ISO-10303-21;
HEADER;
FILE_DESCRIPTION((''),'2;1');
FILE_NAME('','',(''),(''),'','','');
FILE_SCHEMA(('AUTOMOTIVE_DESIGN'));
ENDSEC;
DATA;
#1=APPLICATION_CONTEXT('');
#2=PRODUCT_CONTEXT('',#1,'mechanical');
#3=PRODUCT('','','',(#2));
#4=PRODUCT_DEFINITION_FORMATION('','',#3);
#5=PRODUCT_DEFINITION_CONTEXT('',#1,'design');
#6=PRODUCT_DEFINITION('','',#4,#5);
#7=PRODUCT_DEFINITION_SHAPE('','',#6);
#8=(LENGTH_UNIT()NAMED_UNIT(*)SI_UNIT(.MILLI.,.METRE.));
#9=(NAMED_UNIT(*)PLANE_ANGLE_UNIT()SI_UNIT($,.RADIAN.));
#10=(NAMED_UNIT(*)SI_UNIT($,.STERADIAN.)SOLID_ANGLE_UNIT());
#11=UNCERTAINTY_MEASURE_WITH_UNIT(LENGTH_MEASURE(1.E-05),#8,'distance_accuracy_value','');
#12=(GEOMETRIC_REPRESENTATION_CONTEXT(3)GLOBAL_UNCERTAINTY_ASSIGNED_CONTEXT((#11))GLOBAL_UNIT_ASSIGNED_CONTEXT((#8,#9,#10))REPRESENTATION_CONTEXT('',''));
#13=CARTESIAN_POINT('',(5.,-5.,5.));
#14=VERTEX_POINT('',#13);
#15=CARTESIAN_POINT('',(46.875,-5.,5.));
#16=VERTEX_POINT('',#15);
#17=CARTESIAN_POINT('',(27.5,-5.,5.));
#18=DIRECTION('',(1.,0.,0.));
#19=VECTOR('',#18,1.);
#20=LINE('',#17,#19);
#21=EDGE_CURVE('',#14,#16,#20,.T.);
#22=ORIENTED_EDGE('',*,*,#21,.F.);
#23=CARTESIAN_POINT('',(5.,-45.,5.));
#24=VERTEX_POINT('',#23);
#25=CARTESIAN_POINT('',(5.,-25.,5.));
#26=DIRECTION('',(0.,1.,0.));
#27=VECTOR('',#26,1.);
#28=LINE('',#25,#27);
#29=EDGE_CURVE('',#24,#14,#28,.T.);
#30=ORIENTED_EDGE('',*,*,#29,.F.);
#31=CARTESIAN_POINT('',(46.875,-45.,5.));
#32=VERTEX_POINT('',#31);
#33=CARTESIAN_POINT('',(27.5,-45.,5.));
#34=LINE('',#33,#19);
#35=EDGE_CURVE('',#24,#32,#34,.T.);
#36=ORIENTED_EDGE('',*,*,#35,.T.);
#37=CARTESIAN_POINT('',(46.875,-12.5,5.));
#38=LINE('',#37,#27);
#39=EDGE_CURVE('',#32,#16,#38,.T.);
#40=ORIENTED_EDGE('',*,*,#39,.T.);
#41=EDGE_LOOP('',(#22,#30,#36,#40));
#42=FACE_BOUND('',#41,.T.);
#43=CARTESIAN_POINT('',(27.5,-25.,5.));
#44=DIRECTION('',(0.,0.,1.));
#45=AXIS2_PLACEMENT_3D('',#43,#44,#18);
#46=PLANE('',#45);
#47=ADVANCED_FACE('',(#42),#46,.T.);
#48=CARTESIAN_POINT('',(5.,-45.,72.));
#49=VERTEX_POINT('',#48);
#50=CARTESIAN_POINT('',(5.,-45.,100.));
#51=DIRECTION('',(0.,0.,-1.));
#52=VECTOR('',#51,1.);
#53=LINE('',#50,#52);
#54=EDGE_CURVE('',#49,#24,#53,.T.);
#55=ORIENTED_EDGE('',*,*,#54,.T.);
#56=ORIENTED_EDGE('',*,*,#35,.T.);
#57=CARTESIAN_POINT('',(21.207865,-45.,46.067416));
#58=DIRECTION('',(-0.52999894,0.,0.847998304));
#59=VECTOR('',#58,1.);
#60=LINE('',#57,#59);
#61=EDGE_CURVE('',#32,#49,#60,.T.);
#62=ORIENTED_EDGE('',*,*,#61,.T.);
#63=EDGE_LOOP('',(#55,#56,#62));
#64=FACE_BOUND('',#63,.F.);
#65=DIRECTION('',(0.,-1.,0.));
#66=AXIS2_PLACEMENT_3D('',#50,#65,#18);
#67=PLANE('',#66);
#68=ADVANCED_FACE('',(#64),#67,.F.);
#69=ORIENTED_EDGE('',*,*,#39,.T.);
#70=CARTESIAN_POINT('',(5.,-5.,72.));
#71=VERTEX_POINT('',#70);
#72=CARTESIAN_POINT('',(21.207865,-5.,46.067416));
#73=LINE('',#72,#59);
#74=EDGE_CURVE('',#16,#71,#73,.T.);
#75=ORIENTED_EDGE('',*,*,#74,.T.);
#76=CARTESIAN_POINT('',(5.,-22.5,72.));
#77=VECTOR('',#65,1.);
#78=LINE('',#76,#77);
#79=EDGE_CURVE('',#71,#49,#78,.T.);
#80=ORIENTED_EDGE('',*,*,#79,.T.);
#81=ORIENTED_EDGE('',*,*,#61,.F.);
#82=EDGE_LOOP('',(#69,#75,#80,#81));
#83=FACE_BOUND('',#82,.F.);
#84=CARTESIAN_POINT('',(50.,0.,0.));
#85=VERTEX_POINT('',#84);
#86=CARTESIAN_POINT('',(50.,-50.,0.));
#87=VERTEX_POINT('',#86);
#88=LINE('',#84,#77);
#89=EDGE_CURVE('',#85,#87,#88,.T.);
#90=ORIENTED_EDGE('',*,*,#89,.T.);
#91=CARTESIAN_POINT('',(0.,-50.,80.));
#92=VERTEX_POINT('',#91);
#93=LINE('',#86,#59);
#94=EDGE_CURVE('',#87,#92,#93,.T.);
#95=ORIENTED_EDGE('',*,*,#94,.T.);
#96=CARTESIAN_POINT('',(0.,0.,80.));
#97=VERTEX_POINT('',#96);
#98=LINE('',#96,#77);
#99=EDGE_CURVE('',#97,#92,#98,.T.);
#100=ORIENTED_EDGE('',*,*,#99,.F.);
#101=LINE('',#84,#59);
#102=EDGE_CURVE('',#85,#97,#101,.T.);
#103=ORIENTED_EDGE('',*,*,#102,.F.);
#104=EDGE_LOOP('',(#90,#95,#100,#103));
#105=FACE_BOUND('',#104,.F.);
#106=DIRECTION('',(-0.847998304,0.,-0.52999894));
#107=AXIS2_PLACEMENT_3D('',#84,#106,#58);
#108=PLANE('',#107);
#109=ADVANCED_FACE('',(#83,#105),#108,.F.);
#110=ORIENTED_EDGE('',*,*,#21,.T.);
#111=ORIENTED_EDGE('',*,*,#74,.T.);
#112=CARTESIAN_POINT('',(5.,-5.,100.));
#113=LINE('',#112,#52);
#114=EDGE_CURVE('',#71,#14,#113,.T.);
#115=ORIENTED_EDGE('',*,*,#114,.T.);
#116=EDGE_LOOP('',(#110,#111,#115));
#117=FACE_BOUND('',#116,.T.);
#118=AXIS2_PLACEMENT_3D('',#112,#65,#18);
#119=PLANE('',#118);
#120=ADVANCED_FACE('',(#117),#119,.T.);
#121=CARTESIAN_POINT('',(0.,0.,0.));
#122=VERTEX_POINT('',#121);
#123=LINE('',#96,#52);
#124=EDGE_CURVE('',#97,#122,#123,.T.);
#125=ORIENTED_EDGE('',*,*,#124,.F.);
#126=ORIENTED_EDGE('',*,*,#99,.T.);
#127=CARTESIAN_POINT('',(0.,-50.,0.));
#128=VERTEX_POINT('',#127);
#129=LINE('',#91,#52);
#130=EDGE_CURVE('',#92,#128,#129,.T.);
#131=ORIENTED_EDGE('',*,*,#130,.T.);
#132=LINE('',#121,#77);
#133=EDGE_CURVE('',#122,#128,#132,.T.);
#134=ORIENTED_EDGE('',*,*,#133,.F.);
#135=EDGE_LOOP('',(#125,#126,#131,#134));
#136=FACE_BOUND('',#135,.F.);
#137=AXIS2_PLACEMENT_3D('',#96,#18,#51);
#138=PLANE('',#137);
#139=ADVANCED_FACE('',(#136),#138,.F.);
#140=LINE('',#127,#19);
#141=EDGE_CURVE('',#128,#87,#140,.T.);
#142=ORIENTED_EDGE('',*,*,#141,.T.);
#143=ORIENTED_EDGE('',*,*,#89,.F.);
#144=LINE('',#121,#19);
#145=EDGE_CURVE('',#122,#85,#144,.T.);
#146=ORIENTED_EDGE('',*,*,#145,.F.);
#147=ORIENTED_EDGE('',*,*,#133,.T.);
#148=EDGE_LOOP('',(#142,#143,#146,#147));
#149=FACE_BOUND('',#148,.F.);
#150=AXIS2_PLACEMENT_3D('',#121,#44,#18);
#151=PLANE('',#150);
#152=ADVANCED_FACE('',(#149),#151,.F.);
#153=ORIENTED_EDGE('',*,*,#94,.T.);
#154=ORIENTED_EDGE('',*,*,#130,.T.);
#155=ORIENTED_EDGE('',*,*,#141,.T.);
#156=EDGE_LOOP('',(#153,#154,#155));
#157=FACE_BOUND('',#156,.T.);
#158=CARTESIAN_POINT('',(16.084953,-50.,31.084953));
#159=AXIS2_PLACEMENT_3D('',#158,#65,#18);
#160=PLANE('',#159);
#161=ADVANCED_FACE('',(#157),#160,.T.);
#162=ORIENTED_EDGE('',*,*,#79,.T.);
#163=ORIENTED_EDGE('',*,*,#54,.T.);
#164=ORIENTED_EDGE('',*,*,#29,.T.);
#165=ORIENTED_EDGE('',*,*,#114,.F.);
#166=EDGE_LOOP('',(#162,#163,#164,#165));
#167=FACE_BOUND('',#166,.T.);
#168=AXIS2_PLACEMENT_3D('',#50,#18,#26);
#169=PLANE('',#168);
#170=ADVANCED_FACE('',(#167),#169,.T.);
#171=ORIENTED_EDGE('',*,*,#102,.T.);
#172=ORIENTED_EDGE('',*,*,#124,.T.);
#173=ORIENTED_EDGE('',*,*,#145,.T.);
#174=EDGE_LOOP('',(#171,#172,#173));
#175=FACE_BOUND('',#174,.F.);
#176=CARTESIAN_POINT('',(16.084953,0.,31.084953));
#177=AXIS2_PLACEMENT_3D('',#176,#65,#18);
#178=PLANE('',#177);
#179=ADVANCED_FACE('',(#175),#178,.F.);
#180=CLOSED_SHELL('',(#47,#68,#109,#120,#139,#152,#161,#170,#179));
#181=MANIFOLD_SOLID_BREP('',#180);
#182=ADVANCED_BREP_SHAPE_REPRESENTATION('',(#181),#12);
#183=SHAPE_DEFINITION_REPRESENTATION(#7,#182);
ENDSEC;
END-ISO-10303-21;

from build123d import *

# Parameters (mm, degrees)
F1_DEPTH = 50
F3_W     = 45
F3_H     = 40
F4_DEPTH = 95


with BuildPart() as f1:
    # F0 (on Front) → F1 (new body)
    with BuildSketch(Plane.XZ):
        Polygon((0, 80), (0, 0), (50, 0), align=None)
    extrude(amount=F1_DEPTH)

    # F3 (on offset) → F4 (cut)
    with BuildSketch(Plane.XY.offset(100)):
        with Locations((27.5, -25)):
            Rectangle(F3_W, F3_H)
    extrude(amount=-F4_DEPTH, mode=Mode.SUBTRACT)


solid = f1.part
